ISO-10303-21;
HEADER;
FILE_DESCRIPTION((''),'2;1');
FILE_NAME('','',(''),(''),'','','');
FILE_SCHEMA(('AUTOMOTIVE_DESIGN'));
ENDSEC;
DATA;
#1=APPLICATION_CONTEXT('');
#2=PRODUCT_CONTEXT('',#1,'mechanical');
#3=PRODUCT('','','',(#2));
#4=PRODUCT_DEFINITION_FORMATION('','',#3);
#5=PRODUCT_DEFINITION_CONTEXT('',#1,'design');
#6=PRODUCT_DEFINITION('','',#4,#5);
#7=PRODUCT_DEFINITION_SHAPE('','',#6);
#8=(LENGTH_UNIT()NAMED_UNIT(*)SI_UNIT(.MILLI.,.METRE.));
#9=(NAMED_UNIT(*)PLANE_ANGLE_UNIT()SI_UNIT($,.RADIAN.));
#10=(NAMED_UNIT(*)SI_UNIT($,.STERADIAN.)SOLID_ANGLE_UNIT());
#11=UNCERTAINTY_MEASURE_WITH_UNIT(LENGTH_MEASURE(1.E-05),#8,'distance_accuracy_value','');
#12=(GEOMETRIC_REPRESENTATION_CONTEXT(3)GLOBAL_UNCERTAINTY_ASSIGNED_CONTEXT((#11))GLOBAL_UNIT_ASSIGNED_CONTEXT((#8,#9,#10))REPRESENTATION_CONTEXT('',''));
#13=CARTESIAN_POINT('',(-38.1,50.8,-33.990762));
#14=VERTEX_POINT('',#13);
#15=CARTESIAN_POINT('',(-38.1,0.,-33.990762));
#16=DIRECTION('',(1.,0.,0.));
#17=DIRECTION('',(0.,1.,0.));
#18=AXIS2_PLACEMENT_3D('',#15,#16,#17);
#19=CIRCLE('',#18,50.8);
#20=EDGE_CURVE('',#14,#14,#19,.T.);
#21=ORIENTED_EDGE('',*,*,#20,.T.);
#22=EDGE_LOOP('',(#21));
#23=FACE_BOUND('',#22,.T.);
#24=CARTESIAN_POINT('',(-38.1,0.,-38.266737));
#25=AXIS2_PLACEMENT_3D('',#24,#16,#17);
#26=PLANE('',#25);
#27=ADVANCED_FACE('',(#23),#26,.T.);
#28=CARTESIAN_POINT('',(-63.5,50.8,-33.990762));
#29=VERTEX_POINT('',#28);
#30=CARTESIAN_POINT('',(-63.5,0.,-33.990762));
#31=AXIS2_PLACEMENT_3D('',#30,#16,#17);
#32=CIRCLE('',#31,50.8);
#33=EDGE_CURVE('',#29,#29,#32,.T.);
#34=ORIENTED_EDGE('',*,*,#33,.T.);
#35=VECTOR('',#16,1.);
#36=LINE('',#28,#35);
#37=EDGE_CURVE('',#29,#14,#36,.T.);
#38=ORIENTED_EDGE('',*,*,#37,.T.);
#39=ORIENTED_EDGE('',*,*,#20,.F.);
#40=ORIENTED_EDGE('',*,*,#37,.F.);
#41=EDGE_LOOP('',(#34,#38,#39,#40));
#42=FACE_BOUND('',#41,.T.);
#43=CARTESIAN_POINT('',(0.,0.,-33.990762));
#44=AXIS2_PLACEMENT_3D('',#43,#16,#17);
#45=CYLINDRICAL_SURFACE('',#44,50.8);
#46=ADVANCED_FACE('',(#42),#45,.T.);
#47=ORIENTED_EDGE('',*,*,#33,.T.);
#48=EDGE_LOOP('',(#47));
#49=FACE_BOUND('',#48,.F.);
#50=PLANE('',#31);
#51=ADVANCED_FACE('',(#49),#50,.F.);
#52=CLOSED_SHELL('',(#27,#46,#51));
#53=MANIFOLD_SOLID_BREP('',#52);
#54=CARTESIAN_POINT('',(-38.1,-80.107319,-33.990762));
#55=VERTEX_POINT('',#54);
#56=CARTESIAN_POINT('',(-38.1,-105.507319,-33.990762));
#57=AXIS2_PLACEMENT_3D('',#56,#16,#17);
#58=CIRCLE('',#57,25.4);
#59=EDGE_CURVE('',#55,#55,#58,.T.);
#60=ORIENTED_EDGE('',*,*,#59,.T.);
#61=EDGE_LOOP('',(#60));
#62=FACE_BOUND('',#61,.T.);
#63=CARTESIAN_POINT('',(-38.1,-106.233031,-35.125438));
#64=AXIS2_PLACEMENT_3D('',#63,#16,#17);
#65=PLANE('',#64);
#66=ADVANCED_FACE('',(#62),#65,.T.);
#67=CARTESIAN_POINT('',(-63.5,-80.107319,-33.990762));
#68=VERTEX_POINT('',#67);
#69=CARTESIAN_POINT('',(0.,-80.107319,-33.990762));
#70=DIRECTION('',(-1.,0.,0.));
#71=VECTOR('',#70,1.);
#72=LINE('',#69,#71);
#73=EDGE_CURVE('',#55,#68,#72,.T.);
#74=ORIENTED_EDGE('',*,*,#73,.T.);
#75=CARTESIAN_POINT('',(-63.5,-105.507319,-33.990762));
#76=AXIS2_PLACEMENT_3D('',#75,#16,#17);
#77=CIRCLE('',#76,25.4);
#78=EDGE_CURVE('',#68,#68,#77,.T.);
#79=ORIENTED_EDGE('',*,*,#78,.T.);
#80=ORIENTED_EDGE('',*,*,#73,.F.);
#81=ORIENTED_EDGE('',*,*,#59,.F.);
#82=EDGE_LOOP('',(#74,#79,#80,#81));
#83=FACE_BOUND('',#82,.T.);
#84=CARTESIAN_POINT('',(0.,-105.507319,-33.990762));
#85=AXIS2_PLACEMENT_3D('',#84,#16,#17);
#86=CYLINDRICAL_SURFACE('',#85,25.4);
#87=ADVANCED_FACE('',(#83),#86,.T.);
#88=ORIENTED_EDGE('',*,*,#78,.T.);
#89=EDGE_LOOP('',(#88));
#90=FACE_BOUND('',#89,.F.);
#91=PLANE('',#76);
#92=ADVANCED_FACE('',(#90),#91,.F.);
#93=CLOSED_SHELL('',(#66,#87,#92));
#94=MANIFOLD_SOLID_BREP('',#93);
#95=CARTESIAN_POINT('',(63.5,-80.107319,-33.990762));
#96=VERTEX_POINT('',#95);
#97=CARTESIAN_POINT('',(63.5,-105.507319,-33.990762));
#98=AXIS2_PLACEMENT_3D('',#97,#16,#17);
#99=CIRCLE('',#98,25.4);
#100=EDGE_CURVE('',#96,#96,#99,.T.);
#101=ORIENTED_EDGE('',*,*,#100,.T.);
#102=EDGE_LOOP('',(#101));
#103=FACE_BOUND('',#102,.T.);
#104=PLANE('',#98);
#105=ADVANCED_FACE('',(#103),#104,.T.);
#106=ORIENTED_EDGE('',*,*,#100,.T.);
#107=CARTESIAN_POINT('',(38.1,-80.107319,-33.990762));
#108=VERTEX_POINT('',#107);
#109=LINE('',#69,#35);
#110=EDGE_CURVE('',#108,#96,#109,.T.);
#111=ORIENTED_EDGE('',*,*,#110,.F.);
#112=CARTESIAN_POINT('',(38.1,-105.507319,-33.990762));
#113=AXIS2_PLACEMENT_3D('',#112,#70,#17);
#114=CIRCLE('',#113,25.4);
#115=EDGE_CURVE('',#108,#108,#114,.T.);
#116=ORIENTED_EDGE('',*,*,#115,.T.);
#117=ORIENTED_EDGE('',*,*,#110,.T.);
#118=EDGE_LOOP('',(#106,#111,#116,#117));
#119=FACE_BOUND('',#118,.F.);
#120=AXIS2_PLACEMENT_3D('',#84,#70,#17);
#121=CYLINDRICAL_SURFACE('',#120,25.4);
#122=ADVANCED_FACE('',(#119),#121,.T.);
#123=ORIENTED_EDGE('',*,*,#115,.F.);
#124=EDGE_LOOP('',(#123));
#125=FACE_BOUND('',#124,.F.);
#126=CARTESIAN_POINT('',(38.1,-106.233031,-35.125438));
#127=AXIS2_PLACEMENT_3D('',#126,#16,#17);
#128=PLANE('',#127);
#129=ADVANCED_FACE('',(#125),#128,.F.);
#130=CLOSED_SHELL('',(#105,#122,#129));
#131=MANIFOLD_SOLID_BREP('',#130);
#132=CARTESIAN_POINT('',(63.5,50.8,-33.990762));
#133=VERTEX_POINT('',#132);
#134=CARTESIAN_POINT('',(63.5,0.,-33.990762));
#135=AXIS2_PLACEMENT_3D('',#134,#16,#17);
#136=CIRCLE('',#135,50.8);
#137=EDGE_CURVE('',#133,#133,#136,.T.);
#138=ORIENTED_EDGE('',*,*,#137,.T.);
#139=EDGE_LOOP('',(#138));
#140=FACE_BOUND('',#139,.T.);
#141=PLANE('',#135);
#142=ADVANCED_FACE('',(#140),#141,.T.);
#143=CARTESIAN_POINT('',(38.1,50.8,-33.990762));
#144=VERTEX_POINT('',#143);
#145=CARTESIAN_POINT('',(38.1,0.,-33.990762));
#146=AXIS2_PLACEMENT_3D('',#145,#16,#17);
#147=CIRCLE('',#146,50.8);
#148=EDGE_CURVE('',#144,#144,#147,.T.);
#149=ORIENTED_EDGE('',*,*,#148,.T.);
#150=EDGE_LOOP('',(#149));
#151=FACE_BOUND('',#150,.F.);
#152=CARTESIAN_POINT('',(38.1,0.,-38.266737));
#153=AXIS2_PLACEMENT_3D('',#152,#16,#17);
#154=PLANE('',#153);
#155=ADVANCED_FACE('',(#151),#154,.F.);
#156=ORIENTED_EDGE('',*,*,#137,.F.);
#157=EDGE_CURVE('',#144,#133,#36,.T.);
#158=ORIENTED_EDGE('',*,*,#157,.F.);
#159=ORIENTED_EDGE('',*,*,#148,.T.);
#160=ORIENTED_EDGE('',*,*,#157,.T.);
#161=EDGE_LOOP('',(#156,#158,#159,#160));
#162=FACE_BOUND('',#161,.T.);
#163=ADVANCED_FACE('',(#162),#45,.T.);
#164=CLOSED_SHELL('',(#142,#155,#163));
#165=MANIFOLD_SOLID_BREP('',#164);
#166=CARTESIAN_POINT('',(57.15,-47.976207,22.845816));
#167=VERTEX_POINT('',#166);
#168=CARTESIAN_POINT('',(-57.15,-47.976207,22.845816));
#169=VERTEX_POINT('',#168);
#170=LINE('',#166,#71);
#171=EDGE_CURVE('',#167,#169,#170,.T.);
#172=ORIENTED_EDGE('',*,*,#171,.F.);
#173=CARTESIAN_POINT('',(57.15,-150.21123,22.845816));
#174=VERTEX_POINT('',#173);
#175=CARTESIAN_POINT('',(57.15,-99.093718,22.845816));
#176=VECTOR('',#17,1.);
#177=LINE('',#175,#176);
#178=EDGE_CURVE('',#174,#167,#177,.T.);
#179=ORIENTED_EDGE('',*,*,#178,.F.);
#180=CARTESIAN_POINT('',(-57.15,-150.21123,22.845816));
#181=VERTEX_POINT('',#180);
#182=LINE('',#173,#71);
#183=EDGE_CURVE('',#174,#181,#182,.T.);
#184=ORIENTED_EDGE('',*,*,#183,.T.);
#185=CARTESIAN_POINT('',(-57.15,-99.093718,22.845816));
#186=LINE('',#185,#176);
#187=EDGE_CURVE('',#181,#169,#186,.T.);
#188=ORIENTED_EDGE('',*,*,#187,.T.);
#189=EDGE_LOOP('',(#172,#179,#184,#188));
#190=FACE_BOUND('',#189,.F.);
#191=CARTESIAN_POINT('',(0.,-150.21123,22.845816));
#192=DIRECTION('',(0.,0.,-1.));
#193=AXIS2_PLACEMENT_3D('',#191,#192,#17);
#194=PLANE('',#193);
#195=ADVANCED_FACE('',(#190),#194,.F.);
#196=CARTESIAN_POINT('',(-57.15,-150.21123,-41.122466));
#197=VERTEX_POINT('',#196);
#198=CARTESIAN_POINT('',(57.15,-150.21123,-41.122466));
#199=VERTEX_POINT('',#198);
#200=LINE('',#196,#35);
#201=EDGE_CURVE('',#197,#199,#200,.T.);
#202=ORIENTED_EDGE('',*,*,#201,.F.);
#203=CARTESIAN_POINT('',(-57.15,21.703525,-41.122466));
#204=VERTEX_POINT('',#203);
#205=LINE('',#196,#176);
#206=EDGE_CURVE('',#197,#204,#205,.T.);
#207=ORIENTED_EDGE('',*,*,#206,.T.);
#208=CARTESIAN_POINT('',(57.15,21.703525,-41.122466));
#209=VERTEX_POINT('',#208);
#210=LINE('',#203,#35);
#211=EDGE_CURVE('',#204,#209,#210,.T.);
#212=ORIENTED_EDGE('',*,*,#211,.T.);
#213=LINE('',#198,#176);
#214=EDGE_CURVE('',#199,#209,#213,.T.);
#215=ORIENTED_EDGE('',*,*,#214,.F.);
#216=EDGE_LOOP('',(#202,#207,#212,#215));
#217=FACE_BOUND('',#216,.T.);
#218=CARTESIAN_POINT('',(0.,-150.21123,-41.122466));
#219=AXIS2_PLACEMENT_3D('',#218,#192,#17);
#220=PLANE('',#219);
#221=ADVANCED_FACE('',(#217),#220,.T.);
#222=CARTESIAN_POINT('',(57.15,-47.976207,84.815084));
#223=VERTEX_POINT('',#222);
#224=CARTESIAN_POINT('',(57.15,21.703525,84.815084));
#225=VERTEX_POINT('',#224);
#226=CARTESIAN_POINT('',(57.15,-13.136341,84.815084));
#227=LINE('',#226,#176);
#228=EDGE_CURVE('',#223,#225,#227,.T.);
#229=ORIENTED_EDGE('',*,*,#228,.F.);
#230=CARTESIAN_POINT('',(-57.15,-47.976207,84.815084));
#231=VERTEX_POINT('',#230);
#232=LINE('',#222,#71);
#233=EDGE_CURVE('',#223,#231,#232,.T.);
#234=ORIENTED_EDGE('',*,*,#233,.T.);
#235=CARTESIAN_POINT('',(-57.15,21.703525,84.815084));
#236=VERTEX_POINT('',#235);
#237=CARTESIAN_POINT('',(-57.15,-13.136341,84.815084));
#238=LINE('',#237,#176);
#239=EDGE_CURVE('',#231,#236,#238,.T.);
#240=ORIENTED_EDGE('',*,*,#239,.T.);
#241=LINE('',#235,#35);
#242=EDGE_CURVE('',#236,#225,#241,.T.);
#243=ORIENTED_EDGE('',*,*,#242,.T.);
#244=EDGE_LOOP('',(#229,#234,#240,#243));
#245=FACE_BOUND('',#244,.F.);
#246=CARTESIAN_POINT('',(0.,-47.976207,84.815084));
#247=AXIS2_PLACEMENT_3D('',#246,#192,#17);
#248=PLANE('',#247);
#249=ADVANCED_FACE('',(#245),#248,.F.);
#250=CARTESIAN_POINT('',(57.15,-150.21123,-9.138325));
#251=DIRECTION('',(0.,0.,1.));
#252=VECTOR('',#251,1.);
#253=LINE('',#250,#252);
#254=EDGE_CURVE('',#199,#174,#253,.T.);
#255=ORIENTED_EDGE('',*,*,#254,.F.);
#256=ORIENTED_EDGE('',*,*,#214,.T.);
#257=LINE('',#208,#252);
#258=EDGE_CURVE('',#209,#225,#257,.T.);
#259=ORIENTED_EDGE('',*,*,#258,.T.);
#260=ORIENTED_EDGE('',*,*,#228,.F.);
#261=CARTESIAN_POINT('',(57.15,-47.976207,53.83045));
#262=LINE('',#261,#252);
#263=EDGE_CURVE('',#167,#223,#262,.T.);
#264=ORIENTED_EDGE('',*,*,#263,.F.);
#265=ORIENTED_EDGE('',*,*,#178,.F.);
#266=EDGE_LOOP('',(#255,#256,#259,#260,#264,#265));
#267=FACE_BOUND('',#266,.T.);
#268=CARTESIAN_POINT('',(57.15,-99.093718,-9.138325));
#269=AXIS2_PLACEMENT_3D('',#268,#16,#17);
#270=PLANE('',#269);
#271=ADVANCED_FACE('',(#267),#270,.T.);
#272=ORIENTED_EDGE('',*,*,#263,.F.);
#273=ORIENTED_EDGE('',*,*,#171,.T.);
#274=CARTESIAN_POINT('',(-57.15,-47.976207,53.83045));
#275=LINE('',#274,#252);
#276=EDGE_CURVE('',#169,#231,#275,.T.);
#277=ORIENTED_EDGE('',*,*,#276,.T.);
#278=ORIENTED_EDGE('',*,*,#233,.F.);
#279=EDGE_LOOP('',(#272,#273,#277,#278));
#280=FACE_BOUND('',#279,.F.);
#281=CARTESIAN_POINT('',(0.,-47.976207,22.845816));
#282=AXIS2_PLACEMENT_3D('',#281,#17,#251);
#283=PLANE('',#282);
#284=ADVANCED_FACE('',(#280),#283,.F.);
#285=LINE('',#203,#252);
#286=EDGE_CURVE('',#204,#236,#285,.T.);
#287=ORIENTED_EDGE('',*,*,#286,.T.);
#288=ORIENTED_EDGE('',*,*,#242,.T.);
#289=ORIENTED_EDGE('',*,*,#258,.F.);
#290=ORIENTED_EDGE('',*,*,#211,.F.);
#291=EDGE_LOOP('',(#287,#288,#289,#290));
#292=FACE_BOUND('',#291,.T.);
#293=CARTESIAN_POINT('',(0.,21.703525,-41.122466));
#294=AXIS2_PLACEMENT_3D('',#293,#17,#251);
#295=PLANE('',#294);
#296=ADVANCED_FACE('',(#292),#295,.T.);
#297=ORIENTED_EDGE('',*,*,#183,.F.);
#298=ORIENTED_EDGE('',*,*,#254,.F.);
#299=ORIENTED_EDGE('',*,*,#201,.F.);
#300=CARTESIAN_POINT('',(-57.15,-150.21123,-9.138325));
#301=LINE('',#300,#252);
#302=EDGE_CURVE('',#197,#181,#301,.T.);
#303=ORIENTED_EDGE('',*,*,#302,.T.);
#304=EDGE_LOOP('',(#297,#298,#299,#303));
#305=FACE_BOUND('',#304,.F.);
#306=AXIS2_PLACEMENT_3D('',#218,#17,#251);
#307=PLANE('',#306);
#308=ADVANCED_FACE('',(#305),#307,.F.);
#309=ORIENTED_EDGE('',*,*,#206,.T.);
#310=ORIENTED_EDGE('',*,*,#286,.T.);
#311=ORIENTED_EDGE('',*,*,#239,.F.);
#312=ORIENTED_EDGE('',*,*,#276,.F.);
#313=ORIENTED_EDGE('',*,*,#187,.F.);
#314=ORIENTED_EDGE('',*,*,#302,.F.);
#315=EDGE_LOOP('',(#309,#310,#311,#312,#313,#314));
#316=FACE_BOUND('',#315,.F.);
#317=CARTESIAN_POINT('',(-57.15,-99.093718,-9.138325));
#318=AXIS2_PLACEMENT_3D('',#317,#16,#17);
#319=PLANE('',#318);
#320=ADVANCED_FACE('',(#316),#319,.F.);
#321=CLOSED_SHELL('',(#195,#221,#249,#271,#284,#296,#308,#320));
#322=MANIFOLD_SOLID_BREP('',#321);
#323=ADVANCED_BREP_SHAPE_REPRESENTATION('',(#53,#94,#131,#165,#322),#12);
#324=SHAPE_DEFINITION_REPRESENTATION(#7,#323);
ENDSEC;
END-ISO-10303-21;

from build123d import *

# Parameters (mm, degrees)
F0_R     = 25.4
F0_R_2   = 50.8
F1_DEPTH = 63.5
F2_R     = 33.275036
F2_R_2   = 69.67622
F3_DEPTH = 38.1
F4_W     = 102.235023
F4_H     = 63.968282
F4_W_2   = 69.679732
F4_H_2   = 61.969269
F5_DEPTH = 57.15


with BuildPart() as f1:
    # F0 (on Right) → F1 (new body, symmetric)
    with BuildSketch(Plane.YZ):
        with Locations((-105.507319, -33.990762)):
            Circle(F0_R)
        with Locations((0, -33.990762)):
            Circle(F0_R_2)
    extrude(amount=F1_DEPTH, both=True)

    # F2 (on Right) → F3 (cut, symmetric)
    with BuildSketch(Plane.YZ):
        with Locations((-106.233031, -35.125438)):
            Circle(F2_R)
        with Locations((0, -38.266737)):
            Circle(F2_R_2)
    extrude(amount=F3_DEPTH, both=True, mode=Mode.SUBTRACT)


with BuildPart() as f5:
    # F4 (on Right) → F5 (new body, symmetric)
    with BuildSketch(Plane.YZ):
        with Locations((-99.093718, -9.138325)):
            Rectangle(F4_W, F4_H)
        with Locations((-13.136341, 53.83045)):
            Rectangle(F4_W_2, F4_H_2)
        with Locations((-13.136341, -9.138325)):
            Rectangle(F4_W_2, F4_H)
    extrude(amount=F5_DEPTH, both=True)


solid = Compound([f1.part, f5.part])
